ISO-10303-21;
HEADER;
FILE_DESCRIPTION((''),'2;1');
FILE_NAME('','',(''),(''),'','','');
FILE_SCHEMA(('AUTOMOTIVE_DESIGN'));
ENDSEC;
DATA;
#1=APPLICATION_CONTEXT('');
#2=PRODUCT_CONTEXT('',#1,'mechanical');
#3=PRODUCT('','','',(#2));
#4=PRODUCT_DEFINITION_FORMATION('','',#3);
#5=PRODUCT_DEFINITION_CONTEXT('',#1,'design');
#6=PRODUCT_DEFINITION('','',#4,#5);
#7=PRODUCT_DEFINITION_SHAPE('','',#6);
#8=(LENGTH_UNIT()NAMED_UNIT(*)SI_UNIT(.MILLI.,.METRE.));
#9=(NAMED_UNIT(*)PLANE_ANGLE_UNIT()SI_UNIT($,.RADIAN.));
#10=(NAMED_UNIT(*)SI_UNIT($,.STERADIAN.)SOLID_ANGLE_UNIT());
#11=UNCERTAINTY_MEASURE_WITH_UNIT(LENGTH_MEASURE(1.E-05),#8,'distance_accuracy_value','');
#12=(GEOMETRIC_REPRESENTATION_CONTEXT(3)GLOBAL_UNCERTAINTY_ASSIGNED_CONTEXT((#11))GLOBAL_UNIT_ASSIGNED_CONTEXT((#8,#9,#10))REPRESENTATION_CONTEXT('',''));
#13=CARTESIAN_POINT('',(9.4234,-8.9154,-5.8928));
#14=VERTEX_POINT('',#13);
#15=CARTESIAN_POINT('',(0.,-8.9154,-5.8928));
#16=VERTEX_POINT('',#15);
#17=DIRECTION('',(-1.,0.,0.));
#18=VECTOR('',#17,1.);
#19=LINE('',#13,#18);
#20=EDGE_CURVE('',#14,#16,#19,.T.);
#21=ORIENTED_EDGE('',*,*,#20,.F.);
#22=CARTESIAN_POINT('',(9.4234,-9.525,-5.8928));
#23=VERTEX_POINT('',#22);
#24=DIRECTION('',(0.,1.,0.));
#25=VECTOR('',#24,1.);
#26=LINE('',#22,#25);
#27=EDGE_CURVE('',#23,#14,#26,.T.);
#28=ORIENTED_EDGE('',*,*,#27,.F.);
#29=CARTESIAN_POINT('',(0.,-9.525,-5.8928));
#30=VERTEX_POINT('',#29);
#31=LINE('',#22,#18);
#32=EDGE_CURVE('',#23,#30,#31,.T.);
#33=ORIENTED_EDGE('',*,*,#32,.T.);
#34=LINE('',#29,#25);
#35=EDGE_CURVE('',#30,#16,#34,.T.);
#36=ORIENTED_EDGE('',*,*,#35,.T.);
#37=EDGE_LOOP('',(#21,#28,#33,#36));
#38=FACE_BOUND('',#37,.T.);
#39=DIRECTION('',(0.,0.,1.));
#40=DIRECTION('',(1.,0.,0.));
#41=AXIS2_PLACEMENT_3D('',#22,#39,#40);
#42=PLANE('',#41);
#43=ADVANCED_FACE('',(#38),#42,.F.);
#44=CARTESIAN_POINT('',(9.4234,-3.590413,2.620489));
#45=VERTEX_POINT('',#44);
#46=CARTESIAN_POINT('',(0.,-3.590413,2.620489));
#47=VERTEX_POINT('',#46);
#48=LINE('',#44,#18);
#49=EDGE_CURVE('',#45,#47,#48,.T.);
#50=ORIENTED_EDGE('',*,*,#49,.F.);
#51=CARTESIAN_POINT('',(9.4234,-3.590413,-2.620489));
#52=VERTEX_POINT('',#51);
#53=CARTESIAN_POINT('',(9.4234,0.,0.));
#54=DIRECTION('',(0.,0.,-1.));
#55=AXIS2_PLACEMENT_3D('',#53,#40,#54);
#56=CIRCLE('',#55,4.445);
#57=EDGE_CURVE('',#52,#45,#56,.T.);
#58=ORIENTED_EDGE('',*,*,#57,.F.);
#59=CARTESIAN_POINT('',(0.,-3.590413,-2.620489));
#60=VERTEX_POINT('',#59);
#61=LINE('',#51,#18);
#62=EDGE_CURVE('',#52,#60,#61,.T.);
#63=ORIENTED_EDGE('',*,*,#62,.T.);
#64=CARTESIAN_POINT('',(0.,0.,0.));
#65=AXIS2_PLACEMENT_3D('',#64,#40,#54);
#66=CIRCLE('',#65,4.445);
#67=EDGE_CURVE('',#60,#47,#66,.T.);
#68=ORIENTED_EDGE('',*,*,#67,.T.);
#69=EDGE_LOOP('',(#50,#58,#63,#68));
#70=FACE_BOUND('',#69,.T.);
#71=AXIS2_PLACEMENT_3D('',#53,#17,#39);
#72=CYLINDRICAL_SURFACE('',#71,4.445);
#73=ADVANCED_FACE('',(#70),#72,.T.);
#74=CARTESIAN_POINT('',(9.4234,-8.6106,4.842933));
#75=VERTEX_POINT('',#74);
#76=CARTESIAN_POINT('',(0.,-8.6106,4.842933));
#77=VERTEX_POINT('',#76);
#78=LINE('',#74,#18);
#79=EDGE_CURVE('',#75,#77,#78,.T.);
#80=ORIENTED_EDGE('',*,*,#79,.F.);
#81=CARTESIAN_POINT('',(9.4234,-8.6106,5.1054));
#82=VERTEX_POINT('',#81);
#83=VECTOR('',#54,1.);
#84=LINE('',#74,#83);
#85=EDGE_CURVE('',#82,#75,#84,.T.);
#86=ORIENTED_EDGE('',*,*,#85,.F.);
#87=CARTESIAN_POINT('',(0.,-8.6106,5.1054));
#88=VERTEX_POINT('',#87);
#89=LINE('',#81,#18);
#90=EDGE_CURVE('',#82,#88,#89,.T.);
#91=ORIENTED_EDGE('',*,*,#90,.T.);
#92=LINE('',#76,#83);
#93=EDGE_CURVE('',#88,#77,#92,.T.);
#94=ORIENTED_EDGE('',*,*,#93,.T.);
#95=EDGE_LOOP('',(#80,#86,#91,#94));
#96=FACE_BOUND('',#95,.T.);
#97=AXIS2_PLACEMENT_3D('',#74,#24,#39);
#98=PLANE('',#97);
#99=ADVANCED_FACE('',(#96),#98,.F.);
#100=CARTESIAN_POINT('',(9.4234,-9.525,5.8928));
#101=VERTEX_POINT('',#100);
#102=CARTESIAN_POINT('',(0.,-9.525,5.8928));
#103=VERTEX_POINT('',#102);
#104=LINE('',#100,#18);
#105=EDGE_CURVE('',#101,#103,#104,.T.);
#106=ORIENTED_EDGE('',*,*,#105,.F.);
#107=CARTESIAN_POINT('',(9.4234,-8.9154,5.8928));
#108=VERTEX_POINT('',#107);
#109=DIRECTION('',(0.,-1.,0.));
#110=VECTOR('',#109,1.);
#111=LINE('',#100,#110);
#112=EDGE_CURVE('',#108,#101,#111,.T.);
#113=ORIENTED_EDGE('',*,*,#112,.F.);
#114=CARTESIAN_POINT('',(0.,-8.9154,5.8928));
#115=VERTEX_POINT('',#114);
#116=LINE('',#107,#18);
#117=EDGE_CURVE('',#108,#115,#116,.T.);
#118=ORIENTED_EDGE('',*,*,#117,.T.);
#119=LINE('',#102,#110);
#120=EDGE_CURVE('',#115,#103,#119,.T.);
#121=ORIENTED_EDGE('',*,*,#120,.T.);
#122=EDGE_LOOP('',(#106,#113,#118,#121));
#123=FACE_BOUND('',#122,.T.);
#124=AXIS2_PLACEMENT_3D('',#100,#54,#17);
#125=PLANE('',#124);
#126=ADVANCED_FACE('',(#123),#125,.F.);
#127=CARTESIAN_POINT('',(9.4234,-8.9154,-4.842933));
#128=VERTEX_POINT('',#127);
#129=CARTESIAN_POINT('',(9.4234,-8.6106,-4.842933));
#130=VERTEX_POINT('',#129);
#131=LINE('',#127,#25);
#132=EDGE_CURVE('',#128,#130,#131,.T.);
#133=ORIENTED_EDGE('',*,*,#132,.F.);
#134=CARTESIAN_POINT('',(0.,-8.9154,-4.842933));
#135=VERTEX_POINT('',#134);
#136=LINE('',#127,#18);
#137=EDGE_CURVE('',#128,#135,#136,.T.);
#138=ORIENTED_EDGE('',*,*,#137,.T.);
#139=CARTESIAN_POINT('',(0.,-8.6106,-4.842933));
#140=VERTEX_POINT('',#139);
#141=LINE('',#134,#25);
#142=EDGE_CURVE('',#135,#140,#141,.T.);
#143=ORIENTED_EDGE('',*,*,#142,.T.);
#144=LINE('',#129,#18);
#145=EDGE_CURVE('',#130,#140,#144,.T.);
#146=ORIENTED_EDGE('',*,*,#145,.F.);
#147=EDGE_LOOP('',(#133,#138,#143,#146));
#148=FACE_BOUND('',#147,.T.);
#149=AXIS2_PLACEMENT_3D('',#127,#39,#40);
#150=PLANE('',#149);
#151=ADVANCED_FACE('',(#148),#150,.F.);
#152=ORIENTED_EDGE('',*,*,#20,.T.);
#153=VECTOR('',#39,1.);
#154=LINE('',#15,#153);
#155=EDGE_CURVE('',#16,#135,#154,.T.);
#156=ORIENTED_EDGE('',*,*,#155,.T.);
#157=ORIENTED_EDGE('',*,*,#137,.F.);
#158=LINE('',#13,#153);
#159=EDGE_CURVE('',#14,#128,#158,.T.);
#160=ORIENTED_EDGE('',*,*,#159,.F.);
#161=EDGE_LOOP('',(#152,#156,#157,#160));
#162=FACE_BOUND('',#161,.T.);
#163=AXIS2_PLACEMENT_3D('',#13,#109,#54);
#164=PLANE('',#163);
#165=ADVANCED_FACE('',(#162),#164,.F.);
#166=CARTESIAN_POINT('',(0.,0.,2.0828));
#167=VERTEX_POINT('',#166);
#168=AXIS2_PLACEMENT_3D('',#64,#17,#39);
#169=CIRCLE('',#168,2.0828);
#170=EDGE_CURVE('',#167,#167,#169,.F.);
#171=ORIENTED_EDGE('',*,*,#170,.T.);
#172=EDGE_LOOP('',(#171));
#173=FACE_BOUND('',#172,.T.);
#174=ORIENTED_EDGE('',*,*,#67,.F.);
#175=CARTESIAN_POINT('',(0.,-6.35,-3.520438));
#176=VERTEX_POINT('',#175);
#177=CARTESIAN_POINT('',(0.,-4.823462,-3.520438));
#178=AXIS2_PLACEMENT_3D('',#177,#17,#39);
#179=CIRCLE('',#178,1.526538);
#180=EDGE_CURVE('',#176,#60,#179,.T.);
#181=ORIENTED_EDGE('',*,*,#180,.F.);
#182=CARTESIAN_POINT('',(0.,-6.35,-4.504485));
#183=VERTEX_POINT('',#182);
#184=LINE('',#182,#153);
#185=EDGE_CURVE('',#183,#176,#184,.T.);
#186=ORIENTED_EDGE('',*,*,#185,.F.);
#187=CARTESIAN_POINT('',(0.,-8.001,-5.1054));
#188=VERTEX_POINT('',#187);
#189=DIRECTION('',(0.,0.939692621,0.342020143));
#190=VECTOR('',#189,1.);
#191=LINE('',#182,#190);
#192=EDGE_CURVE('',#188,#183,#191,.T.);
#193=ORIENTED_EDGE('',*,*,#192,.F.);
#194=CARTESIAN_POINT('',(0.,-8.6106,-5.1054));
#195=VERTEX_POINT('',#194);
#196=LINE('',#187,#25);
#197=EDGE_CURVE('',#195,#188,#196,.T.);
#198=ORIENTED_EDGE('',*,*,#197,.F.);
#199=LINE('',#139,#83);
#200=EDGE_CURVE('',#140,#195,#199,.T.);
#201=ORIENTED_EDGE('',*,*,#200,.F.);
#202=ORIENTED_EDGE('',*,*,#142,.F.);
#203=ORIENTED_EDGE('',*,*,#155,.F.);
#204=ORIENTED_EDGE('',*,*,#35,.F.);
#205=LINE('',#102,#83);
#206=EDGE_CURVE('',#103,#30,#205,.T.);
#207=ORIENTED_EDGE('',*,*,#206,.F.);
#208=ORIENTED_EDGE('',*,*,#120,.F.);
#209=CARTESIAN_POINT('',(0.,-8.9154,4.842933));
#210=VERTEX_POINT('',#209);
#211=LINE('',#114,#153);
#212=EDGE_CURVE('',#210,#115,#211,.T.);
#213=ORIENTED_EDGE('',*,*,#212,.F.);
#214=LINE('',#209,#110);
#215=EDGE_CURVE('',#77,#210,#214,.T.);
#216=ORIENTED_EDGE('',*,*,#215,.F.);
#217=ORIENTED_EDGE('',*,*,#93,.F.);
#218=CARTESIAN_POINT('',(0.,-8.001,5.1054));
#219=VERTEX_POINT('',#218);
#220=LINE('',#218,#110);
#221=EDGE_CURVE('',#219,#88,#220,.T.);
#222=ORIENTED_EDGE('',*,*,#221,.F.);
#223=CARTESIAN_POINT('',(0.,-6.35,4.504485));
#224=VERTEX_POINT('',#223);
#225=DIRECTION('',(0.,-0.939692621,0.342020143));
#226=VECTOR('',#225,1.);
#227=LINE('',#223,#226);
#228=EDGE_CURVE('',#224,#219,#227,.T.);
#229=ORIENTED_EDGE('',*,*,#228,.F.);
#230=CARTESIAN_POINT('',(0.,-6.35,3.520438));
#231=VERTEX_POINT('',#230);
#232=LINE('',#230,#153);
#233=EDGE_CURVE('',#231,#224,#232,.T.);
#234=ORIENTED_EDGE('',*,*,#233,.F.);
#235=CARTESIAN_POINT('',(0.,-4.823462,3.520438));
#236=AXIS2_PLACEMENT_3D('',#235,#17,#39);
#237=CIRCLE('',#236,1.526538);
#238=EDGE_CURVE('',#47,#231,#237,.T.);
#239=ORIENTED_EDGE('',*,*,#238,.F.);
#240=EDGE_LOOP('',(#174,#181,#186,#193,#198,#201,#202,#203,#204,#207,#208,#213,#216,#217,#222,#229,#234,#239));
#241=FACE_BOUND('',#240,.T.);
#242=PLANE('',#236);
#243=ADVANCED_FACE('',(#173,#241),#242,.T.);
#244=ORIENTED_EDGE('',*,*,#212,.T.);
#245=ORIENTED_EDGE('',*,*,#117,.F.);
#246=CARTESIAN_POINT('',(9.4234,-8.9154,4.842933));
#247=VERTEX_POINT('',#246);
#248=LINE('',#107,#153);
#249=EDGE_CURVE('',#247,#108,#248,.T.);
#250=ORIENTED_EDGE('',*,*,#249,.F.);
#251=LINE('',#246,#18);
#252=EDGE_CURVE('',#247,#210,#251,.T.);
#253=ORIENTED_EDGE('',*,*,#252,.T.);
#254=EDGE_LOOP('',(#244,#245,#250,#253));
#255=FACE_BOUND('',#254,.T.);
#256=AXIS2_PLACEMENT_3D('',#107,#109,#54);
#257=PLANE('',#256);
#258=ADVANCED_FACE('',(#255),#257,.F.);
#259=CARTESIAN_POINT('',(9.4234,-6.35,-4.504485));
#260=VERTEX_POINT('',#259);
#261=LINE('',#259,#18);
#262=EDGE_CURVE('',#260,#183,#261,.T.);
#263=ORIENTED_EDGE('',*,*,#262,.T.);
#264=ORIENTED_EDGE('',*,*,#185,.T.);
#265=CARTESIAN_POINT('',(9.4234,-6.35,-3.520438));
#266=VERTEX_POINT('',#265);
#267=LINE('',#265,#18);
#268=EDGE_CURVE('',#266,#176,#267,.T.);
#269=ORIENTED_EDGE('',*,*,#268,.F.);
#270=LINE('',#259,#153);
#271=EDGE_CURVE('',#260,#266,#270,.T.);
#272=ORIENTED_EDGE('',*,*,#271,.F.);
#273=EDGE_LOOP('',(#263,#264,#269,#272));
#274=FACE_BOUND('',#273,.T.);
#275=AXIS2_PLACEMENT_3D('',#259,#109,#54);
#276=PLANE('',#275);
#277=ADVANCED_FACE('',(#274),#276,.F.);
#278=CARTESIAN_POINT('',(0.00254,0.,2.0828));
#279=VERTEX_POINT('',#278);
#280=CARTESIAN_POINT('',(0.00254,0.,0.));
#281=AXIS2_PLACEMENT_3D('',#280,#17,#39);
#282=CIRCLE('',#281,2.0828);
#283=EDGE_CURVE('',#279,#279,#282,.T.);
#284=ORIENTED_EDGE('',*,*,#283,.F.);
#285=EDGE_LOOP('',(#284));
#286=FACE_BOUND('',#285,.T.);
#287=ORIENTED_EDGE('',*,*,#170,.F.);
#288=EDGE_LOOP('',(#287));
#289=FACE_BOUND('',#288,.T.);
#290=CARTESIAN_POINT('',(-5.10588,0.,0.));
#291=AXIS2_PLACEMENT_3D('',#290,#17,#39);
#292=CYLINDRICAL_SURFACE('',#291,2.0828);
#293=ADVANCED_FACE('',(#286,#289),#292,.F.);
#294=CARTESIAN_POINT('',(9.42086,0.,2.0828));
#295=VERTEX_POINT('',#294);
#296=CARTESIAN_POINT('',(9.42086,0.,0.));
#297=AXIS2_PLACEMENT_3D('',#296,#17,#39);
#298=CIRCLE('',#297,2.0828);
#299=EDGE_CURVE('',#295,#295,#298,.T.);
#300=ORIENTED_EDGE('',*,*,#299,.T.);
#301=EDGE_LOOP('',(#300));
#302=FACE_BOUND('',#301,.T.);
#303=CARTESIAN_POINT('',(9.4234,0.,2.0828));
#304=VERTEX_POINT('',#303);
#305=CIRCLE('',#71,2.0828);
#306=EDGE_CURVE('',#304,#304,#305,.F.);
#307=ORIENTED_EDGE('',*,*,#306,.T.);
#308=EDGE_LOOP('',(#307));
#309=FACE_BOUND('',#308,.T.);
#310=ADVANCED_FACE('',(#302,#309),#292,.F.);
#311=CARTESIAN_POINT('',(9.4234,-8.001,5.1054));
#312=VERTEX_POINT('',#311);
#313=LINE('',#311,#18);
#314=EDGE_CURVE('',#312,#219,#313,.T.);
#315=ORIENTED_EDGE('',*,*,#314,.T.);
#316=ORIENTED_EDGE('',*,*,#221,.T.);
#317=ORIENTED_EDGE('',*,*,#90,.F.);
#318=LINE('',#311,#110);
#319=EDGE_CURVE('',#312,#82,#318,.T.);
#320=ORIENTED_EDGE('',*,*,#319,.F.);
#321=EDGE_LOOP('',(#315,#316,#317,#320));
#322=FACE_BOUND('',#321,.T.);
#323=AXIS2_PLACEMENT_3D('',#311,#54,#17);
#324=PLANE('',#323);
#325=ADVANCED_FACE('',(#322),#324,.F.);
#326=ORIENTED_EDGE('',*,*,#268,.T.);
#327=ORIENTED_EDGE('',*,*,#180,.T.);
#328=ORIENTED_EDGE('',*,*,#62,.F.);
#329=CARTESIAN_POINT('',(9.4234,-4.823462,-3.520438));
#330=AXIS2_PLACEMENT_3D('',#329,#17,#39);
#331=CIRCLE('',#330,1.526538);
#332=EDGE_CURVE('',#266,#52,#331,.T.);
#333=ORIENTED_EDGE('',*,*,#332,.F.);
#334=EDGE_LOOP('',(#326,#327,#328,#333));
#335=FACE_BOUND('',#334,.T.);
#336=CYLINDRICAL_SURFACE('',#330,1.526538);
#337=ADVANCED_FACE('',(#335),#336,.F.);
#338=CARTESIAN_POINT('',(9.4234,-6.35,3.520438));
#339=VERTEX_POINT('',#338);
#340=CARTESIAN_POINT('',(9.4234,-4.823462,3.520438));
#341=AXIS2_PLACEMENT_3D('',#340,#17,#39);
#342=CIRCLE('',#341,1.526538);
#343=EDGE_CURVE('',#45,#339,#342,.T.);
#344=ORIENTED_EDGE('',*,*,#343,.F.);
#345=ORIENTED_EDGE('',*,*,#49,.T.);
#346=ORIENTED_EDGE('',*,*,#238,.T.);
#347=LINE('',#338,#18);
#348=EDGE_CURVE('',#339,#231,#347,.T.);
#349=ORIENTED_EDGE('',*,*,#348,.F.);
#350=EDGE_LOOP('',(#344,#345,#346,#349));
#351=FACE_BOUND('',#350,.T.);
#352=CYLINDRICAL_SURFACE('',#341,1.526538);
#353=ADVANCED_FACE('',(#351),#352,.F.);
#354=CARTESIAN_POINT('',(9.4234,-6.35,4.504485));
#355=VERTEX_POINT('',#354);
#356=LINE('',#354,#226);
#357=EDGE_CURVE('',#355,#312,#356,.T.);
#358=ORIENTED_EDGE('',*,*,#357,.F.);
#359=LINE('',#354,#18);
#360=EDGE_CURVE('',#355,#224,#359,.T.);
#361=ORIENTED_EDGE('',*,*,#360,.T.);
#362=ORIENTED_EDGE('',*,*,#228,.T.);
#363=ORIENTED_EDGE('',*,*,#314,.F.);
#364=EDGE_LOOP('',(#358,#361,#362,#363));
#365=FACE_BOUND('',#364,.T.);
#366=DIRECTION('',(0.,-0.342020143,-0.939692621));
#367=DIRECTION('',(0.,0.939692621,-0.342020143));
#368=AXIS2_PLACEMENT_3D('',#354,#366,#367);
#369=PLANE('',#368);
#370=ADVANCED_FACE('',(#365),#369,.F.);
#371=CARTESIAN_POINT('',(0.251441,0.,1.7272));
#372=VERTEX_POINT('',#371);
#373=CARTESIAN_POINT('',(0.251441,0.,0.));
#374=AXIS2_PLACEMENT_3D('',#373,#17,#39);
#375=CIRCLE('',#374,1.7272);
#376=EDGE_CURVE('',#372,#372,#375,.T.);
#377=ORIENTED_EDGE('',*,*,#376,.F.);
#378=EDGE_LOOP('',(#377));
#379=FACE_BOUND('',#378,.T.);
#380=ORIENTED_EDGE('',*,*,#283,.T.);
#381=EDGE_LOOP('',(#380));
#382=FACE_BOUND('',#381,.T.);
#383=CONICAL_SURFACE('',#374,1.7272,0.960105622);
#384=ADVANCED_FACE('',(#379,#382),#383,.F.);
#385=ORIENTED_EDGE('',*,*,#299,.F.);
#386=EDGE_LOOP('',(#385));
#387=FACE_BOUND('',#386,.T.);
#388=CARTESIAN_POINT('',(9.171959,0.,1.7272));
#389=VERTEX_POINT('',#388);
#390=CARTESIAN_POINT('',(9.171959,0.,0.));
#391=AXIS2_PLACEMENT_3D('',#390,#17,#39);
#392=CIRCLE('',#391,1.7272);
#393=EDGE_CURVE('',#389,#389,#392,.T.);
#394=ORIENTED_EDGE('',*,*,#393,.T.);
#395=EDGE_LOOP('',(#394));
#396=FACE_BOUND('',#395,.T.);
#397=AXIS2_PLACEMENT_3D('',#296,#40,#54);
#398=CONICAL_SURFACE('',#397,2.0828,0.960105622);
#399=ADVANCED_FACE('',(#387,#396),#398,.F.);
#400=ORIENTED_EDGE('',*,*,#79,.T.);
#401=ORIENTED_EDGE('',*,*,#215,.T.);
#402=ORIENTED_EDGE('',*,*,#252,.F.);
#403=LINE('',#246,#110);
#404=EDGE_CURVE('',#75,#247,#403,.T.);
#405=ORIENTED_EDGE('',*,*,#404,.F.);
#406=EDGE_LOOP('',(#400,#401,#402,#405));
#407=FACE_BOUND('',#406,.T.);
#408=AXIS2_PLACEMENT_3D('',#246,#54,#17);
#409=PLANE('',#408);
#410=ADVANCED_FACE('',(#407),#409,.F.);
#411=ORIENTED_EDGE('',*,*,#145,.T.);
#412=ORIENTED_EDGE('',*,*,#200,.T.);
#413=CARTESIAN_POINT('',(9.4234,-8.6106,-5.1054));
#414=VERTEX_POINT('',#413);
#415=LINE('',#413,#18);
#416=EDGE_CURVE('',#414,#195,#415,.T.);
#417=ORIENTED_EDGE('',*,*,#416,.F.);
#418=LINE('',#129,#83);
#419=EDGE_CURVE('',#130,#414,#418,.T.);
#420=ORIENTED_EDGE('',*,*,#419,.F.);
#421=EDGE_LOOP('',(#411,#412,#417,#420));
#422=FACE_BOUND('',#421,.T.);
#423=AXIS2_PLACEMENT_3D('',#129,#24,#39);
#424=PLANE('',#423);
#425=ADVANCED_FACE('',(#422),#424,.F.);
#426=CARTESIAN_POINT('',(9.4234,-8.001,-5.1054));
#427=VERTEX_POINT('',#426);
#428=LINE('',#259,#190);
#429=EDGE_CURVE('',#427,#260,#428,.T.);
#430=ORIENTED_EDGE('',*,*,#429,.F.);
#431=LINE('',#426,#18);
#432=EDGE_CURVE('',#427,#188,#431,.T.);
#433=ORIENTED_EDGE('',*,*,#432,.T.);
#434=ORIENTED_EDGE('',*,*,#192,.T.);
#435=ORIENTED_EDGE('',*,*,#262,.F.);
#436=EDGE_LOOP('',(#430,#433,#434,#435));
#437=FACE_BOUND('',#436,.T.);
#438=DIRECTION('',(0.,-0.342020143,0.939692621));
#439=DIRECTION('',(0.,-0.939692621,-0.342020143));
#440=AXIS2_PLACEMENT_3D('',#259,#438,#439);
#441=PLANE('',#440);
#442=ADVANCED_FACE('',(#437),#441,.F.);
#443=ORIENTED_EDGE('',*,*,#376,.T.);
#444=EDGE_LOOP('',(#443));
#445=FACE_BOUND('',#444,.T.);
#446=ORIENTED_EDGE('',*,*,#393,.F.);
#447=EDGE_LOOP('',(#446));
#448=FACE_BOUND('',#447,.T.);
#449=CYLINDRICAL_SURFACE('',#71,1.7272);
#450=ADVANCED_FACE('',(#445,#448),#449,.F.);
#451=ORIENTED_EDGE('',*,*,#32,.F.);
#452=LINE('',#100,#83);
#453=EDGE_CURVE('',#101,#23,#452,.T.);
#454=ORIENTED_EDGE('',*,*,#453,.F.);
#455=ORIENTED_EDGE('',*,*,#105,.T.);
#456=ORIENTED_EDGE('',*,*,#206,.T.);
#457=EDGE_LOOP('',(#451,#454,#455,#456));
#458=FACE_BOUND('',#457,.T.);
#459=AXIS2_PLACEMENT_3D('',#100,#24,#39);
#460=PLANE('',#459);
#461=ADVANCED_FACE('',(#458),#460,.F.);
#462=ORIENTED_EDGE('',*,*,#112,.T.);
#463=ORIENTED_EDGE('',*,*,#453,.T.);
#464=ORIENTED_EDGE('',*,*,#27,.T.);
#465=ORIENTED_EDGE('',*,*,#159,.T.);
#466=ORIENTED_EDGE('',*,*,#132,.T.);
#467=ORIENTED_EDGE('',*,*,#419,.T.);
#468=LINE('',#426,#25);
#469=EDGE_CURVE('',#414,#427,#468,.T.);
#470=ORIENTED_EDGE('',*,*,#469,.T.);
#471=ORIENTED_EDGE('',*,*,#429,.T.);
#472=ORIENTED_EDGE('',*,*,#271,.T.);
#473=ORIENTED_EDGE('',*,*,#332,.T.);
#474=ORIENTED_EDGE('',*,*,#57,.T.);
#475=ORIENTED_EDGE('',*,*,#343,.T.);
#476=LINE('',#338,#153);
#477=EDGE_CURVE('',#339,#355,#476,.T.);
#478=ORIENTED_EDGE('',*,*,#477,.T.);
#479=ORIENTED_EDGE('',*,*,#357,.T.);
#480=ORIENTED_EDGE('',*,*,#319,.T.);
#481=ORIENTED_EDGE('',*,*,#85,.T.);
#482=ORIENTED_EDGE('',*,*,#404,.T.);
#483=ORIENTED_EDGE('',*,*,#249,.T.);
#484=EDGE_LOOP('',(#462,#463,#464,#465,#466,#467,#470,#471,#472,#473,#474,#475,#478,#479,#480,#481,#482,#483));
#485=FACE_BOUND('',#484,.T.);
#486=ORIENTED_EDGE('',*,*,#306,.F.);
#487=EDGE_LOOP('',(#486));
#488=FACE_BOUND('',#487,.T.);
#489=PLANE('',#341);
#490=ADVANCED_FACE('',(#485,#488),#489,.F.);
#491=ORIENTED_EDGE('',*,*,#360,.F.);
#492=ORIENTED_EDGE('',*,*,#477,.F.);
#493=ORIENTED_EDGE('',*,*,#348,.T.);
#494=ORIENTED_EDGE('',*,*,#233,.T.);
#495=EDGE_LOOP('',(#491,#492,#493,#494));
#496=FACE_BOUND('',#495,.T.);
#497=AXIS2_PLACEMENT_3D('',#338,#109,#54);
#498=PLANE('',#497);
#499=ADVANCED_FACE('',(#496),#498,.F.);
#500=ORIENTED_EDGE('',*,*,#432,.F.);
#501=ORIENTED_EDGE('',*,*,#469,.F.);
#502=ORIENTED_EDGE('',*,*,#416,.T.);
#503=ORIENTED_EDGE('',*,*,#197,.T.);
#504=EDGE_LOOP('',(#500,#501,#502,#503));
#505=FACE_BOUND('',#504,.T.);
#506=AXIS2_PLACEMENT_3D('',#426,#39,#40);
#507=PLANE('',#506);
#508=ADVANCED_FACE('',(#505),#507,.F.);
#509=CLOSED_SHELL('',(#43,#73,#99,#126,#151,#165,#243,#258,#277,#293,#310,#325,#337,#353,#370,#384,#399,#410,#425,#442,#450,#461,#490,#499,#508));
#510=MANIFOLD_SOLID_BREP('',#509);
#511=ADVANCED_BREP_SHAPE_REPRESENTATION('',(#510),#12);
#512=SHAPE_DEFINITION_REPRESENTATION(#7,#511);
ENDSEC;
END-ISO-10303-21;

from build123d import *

# Parameters (mm, degrees)
BODYSKE_R  = 1.7272
BODY_DEPTH = 9.4234


with BuildPart() as part:
    # BodySke → Body (new body)
    with BuildSketch(Plane(origin=(0, 0, 0), x_dir=(0, 0, -1), z_dir=(1, 0, 0))):
        with BuildLine():
            Line((-5.8928, -9.525), (5.8928, -9.525))
            Line((5.8928, -9.525), (5.8928, -8.9154))
            Line((5.8928, -8.9154), (4.842933333, -8.9154))
            Line((4.842933333, -8.9154), (4.842933333, -8.6106))
            Line((4.842933333, -8.6106), (5.1054, -8.6106))
            Line((5.1054, -8.6106), (5.1054, -8.001))
            Line((5.1054, -8.001), (4.504485143, -6.35))
            Line((4.504485143, -6.35), (3.520438226, -6.35))
            ThreePointArc((3.520438226, -6.35), (2.069125842, -5.296760115), (2.620488612, -3.59041285))
            ThreePointArc((2.620488612, -3.59041285), (0, 4.445), (-2.620488612, -3.59041285))
            ThreePointArc((-2.620488612, -3.59041285), (-2.069125842, -5.296760115), (-3.520438226, -6.35))
            Line((-3.520438226, -6.35), (-4.504485143, -6.35))
            Line((-4.504485143, -6.35), (-5.1054, -8.001))
            Line((-5.1054, -8.001), (-5.1054, -8.6106))
            Line((-5.1054, -8.6106), (-4.842933333, -8.6106))
            Line((-4.842933333, -8.6106), (-4.842933333, -8.9154))
            Line((-4.842933333, -8.9154), (-5.8928, -8.9154))
            Line((-5.8928, -8.9154), (-5.8928, -9.525))
        make_face()
        Circle(BODYSKE_R, mode=Mode.SUBTRACT)
    extrude(amount=BODY_DEPTH)

    # EndChamferSke → EndChamfer (revolve, cut)
    with BuildSketch(Plane.XY, mode=Mode.PRIVATE) as endchamfer_sk:
        Polygon((-0.254, 2.0828), (0.00254, 2.0828), (0.251441319, 1.7272), (-0.254, 1.7272), align=None)
        Polygon((9.6774, 2.0828), (9.42086, 2.0828), (9.171958681, 1.7272), (9.6774, 1.7272), align=None)
    revolve(endchamfer_sk.sketch.rotate(Axis((-5.105879624, 0, 0), (1, 0, 0)), 90), axis=Axis((-5.105879624, 0, 0), (1, 0, 0)), mode=Mode.SUBTRACT)


solid = part.part
